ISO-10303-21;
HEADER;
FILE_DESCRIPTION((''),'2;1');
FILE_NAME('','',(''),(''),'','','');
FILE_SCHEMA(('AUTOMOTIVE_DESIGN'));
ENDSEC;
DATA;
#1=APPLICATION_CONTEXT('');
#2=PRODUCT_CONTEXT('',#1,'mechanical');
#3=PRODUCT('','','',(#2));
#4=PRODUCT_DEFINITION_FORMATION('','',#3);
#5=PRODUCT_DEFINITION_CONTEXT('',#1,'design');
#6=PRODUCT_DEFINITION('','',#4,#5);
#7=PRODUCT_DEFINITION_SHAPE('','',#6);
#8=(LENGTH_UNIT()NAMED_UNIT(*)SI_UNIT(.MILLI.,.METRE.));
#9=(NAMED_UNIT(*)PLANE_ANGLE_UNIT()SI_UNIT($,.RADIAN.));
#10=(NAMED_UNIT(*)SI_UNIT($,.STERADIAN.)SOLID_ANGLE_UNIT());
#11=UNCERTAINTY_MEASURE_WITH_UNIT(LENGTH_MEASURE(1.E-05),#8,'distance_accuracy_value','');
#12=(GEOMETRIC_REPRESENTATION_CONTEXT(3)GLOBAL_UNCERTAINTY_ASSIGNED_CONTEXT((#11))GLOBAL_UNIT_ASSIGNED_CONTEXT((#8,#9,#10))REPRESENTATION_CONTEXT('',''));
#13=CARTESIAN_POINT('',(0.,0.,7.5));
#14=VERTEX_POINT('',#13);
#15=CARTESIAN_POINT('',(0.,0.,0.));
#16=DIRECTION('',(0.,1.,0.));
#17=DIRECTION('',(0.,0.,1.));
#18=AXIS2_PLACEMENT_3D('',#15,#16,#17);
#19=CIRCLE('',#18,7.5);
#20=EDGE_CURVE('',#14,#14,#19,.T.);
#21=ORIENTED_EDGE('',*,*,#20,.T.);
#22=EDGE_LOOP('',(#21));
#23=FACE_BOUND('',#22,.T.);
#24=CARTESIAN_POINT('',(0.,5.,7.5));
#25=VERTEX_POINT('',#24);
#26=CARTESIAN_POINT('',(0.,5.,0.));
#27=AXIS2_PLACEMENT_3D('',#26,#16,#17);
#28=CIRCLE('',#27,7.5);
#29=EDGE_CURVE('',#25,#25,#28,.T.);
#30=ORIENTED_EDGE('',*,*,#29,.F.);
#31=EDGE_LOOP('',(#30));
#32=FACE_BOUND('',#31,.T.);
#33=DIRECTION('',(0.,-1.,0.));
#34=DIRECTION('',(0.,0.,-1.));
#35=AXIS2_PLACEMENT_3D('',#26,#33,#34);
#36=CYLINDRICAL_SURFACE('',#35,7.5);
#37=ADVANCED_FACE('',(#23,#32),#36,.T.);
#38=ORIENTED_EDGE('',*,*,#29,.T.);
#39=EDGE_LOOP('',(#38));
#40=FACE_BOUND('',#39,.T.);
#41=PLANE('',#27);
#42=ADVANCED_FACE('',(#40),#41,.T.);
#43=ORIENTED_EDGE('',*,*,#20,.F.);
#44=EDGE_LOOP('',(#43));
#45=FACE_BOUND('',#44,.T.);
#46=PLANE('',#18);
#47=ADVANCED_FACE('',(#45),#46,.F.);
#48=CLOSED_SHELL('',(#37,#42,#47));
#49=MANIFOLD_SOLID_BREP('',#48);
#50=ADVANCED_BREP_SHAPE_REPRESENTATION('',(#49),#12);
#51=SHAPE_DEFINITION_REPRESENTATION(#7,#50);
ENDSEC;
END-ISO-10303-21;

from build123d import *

# Parameters (mm, degrees)
SKETCH2_R           = 7.5
BOSS_EXTRUDE1_DEPTH = 5


with BuildPart() as part:
    # Sketch2 → Boss-Extrude1 (new body)
    with BuildSketch(Plane(origin=(0, 0, 0), x_dir=(1, 0, 0), z_dir=(0, 1, 0))):
        with Locations(Location((0, 0, 0), (0, 0, 270))):
            Circle(SKETCH2_R)
    extrude(amount=BOSS_EXTRUDE1_DEPTH)


solid = part.part
